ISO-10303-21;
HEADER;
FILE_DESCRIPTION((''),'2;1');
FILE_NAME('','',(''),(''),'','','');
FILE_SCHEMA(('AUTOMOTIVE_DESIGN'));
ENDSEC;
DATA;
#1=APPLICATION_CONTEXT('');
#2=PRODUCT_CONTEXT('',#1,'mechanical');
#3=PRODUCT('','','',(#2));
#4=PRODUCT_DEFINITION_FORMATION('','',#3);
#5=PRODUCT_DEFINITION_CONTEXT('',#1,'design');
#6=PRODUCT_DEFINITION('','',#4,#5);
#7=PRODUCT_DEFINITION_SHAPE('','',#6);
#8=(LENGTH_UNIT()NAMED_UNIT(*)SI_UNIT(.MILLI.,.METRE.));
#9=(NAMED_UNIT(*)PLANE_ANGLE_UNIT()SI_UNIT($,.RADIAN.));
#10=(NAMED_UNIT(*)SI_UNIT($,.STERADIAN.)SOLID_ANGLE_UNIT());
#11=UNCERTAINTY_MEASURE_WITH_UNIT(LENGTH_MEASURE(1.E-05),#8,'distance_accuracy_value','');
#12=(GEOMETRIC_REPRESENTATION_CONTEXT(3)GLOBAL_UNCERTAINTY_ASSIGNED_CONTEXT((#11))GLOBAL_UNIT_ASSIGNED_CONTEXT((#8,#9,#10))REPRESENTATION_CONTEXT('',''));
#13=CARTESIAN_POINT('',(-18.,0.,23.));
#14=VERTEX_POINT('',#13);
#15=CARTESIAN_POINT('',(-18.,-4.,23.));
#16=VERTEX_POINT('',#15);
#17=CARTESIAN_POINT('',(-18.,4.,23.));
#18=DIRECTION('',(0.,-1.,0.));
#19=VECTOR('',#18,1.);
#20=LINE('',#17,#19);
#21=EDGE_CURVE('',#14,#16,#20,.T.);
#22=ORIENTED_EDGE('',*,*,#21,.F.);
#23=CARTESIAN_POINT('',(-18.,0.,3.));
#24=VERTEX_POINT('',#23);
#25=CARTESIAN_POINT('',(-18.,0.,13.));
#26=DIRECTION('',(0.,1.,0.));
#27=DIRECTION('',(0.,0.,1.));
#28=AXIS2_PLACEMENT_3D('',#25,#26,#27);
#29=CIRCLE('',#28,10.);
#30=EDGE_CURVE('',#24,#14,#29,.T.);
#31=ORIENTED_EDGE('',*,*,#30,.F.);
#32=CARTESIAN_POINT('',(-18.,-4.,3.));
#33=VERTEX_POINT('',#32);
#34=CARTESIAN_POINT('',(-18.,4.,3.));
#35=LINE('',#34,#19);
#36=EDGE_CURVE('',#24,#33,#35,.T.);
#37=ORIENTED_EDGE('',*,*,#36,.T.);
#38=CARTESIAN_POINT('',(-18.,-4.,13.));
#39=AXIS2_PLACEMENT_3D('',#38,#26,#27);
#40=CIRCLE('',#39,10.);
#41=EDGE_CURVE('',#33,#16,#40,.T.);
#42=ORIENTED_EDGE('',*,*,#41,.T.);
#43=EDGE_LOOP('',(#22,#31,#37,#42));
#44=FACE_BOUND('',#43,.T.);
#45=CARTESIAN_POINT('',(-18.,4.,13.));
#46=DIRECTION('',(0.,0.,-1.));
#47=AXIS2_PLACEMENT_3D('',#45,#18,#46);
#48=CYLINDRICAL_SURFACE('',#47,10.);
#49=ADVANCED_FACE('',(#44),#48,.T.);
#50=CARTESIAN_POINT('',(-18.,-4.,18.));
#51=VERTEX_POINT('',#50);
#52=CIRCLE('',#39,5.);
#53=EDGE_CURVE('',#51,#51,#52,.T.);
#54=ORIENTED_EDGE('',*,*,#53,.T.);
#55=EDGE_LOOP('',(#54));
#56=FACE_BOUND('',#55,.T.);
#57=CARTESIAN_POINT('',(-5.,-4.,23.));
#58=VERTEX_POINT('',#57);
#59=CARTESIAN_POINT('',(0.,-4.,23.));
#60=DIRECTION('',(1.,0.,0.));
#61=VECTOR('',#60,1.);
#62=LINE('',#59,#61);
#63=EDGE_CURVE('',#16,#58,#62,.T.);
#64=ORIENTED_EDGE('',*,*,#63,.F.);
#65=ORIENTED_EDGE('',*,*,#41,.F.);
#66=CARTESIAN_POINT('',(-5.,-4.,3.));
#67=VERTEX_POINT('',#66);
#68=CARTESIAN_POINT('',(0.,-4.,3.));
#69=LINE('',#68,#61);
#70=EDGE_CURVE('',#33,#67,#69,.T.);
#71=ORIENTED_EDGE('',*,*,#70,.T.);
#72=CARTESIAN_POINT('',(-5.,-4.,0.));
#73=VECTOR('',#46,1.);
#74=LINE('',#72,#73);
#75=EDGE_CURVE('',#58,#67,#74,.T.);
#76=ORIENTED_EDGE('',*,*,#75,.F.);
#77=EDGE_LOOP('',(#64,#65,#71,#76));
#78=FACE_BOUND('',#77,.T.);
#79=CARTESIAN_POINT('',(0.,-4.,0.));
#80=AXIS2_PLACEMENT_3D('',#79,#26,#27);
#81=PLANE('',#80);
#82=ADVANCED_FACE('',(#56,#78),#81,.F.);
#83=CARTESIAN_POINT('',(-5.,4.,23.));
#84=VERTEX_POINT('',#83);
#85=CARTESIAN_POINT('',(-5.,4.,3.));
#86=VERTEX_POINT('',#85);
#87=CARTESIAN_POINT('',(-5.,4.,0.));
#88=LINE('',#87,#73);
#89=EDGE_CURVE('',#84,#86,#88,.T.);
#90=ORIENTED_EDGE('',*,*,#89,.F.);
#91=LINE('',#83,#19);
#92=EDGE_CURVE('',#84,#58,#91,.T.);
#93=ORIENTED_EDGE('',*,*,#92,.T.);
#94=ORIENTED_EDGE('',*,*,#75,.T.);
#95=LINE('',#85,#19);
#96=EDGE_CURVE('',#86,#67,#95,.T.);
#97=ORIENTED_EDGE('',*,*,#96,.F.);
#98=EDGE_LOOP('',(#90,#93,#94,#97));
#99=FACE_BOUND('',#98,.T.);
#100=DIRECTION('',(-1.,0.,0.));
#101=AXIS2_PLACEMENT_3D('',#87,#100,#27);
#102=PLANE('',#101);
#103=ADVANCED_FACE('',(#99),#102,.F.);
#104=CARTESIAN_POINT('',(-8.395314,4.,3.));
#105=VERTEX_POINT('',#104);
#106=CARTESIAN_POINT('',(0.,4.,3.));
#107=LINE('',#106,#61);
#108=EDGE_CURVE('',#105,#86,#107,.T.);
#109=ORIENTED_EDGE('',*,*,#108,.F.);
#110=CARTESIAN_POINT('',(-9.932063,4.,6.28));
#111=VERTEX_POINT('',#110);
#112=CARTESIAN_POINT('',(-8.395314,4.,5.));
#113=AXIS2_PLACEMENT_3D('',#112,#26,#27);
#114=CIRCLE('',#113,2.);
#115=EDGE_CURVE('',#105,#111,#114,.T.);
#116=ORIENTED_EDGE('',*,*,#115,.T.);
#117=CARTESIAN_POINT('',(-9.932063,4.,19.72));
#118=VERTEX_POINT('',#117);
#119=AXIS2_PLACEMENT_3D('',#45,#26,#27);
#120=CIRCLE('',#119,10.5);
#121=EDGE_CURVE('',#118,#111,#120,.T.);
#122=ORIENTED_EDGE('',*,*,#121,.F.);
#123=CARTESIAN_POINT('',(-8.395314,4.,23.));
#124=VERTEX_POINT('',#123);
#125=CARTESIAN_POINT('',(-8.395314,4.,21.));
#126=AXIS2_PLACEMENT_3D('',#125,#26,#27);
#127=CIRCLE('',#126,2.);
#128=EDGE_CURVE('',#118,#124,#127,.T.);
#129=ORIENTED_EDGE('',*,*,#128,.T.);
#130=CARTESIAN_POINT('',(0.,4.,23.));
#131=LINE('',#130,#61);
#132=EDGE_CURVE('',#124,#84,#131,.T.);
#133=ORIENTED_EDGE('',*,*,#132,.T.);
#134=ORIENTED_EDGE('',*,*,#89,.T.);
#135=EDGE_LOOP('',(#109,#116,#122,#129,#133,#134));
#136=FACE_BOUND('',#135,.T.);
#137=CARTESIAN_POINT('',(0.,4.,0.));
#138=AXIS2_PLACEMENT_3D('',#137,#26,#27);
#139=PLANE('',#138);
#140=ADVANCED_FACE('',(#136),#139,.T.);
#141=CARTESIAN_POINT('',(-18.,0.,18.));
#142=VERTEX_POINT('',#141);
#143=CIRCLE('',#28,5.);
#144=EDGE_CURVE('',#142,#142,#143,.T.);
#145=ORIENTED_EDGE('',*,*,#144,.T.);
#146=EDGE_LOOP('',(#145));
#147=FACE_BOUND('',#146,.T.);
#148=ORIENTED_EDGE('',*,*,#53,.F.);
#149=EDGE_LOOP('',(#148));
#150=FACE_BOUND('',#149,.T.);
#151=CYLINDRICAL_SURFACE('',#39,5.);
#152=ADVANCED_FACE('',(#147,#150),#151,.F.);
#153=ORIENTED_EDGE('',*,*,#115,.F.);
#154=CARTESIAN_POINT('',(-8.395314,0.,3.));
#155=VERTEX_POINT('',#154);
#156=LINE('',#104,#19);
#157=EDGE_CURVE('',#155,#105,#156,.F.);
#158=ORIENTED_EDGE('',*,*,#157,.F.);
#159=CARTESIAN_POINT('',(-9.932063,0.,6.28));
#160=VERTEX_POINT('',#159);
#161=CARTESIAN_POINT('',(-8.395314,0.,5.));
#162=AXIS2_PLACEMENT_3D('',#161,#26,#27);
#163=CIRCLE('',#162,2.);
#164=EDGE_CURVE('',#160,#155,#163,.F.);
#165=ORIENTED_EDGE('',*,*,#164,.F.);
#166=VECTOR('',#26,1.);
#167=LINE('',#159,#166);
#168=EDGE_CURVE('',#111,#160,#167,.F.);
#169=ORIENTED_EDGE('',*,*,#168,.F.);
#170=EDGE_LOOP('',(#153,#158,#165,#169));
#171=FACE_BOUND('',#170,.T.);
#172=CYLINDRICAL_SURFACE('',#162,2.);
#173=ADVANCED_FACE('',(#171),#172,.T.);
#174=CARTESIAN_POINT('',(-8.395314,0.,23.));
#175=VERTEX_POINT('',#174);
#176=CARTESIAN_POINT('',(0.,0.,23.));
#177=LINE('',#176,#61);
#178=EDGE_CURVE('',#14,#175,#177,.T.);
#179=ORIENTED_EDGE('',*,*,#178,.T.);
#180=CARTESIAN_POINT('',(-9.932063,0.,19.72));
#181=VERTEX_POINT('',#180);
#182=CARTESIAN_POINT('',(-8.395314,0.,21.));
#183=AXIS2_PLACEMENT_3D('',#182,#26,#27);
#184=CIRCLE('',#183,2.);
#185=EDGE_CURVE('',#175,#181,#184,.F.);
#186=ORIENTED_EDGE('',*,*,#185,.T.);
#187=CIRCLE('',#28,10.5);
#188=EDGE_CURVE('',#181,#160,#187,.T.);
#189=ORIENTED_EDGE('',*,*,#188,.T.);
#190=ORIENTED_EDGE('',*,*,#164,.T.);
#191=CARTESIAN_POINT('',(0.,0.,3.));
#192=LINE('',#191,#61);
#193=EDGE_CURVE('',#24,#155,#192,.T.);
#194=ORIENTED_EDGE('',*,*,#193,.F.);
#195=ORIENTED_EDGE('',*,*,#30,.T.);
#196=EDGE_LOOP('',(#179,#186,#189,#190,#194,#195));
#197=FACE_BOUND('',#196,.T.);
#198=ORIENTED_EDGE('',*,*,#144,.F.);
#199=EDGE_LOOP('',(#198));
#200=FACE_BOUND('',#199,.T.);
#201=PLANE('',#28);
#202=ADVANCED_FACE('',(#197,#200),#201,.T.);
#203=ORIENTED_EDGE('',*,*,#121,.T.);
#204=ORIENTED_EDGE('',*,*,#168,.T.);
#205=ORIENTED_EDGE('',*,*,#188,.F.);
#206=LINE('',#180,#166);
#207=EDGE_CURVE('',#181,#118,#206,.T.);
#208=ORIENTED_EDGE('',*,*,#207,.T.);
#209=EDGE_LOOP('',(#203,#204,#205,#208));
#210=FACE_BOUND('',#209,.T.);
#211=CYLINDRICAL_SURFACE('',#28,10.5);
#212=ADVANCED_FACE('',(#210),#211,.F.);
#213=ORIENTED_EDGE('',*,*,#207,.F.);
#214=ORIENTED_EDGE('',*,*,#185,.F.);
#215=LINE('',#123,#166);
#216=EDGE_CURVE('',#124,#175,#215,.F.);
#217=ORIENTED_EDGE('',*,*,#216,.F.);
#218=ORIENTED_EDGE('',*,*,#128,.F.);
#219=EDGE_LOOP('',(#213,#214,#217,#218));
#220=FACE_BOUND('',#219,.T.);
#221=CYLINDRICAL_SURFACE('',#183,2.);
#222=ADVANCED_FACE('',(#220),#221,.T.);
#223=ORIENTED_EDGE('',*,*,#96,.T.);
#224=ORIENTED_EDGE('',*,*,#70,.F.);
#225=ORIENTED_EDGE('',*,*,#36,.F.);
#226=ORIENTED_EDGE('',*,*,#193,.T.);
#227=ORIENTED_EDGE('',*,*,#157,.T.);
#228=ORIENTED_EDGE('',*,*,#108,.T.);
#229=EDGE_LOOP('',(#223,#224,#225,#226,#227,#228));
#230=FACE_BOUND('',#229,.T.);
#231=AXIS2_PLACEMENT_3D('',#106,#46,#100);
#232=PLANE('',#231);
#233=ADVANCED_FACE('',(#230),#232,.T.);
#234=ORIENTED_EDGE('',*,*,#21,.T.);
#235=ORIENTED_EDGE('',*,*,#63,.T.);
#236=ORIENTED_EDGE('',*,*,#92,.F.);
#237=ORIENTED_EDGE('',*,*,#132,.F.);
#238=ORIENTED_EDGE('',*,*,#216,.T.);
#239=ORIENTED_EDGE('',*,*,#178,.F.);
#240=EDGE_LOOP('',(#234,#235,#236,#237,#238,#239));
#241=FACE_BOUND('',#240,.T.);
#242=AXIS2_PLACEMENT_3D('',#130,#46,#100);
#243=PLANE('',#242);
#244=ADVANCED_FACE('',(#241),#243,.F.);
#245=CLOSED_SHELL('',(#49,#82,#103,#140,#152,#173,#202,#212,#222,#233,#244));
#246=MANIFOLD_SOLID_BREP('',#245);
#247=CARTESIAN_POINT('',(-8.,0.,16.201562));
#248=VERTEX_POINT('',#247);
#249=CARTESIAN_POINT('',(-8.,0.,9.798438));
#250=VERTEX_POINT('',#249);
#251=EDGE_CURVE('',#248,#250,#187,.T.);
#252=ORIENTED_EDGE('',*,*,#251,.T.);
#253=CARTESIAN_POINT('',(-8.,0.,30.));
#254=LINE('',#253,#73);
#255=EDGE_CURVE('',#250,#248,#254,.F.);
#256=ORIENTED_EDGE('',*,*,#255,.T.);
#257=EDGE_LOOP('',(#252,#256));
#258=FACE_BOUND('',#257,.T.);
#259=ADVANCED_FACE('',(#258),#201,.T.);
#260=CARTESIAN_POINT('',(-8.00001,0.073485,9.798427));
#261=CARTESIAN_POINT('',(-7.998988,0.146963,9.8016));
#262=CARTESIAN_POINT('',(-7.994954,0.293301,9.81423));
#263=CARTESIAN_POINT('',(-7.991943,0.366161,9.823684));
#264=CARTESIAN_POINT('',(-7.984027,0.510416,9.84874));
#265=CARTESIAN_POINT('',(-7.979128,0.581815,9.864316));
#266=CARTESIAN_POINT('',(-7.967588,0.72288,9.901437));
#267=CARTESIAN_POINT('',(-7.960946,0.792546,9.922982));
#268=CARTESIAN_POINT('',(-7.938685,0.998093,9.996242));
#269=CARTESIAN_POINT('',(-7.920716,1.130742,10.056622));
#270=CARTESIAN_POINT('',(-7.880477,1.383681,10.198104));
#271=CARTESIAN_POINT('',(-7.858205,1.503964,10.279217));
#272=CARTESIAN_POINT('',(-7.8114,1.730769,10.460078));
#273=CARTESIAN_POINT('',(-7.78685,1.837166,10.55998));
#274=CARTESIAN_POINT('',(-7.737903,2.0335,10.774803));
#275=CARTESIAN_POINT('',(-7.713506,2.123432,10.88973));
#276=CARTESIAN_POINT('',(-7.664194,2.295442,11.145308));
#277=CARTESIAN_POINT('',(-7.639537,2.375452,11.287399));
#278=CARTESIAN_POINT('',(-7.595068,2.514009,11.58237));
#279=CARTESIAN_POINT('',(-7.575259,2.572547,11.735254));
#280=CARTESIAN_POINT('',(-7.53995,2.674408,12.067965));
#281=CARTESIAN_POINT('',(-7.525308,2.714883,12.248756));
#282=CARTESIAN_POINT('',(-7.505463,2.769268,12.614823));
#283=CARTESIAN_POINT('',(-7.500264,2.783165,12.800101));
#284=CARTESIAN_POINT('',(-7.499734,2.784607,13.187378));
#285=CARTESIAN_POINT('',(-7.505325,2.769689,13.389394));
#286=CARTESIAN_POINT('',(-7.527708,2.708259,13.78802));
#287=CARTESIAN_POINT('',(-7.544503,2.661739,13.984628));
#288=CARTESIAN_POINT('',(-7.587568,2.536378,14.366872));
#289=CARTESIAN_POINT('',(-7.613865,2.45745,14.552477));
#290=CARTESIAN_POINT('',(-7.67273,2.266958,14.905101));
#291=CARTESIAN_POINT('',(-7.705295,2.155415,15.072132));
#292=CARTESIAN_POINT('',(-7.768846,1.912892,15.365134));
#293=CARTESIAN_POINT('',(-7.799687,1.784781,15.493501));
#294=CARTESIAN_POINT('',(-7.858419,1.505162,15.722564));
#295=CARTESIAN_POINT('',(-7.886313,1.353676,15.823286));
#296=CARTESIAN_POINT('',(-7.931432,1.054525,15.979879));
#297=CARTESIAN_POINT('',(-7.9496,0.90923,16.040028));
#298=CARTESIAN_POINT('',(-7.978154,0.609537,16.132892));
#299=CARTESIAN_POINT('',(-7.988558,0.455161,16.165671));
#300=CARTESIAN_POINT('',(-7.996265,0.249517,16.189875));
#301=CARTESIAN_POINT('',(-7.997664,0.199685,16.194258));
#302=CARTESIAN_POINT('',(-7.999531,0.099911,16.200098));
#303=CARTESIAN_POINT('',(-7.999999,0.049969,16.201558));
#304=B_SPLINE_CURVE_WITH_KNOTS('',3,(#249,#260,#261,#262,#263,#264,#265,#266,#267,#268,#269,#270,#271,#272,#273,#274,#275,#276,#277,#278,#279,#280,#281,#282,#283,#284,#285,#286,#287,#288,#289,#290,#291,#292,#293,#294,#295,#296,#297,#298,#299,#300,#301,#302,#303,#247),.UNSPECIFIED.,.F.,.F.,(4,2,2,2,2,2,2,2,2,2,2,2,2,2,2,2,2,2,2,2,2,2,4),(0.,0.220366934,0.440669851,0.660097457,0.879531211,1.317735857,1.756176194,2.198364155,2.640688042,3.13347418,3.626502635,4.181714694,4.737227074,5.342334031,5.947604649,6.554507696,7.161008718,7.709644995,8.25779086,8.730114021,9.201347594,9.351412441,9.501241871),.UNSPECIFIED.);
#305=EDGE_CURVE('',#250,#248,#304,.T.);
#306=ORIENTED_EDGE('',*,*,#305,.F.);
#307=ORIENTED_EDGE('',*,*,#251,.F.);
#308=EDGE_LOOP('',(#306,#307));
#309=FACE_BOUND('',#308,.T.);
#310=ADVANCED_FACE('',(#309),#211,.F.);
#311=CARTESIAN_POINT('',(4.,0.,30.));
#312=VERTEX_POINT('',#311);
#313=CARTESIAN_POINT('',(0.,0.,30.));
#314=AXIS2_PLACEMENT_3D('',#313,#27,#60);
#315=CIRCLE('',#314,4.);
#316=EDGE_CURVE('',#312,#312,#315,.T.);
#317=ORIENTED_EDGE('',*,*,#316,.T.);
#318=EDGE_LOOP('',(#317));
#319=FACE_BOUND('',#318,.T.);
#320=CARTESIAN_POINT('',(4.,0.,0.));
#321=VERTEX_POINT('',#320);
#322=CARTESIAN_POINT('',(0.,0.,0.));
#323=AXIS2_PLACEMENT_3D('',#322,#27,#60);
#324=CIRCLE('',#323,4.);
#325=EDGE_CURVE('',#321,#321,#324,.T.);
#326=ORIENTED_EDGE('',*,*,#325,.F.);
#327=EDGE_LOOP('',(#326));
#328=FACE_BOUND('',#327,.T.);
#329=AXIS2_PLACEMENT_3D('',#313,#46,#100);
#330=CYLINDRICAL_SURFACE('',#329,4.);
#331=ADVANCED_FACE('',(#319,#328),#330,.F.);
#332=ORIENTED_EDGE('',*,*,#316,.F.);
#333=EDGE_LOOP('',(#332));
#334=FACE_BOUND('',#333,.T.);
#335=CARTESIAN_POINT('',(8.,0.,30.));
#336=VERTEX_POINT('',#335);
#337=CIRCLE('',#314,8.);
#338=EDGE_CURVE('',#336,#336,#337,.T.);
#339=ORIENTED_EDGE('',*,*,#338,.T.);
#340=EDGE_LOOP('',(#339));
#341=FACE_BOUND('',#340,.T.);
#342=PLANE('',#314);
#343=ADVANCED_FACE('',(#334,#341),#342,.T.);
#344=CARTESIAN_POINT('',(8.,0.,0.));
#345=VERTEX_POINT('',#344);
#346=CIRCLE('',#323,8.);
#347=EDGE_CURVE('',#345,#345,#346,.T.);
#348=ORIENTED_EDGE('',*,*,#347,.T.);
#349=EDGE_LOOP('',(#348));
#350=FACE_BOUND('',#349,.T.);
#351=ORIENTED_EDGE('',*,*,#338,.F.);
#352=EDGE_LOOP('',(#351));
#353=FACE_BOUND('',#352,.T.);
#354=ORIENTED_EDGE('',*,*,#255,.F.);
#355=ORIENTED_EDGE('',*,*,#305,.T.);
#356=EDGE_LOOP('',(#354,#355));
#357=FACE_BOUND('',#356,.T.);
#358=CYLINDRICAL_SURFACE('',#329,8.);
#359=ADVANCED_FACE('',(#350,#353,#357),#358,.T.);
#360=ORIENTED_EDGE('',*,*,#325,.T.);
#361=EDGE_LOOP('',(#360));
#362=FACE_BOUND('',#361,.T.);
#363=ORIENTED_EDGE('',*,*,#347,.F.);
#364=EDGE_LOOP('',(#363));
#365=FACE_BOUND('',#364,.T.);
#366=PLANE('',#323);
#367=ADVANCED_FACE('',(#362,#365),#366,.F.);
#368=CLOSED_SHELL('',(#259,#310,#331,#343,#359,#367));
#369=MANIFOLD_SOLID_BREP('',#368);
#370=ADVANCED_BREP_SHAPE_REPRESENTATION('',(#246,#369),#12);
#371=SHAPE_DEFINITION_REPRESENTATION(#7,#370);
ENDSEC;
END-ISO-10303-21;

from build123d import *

# Parameters (mm, degrees)
SKETCH1_R           = 8
SKETCH1_R_2         = 4
BOSS_EXTRUDE1_DEPTH = 30
BOSS_EXTRUDE2_DEPTH = 4
SKETCH3_R           = 10.5
CUT_EXTRUDE1_DEPTH  = 4
FILLET1_R           = 2
SKETCH4_R           = 5
CUT_EXTRUDE2_DEPTH  = 4


with BuildPart() as part:
    # Sketch1 → Boss-Extrude1 (new body)
    with BuildSketch(Plane.XY):
        Circle(SKETCH1_R)
        Circle(SKETCH1_R_2, mode=Mode.SUBTRACT)
    extrude(amount=BOSS_EXTRUDE1_DEPTH)


with BuildPart() as body_2:
    # Sketch2 → Boss-Extrude2 (new, symmetric)
    with BuildSketch(Plane(origin=(0, 0, 0), x_dir=(1, 0, 0), z_dir=(0, 1, 0))):
        with BuildLine():
            Line((-5, -3), (-18, -3))
            ThreePointArc((-18, -3), (-28, -13), (-18, -23))
            Line((-18, -23), (-5, -23))
            Line((-5, -23), (-5, -3))
        make_face()
    extrude(amount=BOSS_EXTRUDE2_DEPTH, both=True)


with BuildPart() as cut_extrude1_tool:
    # Sketch3 → Cut-Extrude1 (new body)
    with BuildSketch(Plane(origin=(0, 4, 0), x_dir=(1, 0, 0), z_dir=(0, 1, 0))):
        with Locations((-18, -13)):
            Circle(SKETCH3_R)
    extrude(amount=-CUT_EXTRUDE1_DEPTH)


with BuildPart() as part_1:
    add(part.part)

    # Cut-Extrude1: cut by cut_extrude1_tool
    add(cut_extrude1_tool.part, mode=Mode.SUBTRACT)


with BuildPart() as body_2_1:
    add(body_2.part)

    # Cut-Extrude1: cut by cut_extrude1_tool
    add(cut_extrude1_tool.part, mode=Mode.SUBTRACT)

    # Fillet1
    fillet1_edges = [body_2_1.edges().sort_by_distance(p)[0] for p in [
        (-14.798437881, 2, 23),
        (-14.798437881, 2, 3),
    ]]
    fillet(fillet1_edges, radius=FILLET1_R)

    # Sketch4 → Cut-Extrude2 (cut)
    with BuildSketch(Plane(origin=(0, 0, 0), x_dir=(1, 0, 0), z_dir=(0, 1, 0))):
        with Locations(Location((-18, -13, 0), (0, 0, 270))):
            Circle(SKETCH4_R)
    extrude(amount=-CUT_EXTRUDE2_DEPTH, mode=Mode.SUBTRACT)


solid = Compound([part_1.part, body_2_1.part])
